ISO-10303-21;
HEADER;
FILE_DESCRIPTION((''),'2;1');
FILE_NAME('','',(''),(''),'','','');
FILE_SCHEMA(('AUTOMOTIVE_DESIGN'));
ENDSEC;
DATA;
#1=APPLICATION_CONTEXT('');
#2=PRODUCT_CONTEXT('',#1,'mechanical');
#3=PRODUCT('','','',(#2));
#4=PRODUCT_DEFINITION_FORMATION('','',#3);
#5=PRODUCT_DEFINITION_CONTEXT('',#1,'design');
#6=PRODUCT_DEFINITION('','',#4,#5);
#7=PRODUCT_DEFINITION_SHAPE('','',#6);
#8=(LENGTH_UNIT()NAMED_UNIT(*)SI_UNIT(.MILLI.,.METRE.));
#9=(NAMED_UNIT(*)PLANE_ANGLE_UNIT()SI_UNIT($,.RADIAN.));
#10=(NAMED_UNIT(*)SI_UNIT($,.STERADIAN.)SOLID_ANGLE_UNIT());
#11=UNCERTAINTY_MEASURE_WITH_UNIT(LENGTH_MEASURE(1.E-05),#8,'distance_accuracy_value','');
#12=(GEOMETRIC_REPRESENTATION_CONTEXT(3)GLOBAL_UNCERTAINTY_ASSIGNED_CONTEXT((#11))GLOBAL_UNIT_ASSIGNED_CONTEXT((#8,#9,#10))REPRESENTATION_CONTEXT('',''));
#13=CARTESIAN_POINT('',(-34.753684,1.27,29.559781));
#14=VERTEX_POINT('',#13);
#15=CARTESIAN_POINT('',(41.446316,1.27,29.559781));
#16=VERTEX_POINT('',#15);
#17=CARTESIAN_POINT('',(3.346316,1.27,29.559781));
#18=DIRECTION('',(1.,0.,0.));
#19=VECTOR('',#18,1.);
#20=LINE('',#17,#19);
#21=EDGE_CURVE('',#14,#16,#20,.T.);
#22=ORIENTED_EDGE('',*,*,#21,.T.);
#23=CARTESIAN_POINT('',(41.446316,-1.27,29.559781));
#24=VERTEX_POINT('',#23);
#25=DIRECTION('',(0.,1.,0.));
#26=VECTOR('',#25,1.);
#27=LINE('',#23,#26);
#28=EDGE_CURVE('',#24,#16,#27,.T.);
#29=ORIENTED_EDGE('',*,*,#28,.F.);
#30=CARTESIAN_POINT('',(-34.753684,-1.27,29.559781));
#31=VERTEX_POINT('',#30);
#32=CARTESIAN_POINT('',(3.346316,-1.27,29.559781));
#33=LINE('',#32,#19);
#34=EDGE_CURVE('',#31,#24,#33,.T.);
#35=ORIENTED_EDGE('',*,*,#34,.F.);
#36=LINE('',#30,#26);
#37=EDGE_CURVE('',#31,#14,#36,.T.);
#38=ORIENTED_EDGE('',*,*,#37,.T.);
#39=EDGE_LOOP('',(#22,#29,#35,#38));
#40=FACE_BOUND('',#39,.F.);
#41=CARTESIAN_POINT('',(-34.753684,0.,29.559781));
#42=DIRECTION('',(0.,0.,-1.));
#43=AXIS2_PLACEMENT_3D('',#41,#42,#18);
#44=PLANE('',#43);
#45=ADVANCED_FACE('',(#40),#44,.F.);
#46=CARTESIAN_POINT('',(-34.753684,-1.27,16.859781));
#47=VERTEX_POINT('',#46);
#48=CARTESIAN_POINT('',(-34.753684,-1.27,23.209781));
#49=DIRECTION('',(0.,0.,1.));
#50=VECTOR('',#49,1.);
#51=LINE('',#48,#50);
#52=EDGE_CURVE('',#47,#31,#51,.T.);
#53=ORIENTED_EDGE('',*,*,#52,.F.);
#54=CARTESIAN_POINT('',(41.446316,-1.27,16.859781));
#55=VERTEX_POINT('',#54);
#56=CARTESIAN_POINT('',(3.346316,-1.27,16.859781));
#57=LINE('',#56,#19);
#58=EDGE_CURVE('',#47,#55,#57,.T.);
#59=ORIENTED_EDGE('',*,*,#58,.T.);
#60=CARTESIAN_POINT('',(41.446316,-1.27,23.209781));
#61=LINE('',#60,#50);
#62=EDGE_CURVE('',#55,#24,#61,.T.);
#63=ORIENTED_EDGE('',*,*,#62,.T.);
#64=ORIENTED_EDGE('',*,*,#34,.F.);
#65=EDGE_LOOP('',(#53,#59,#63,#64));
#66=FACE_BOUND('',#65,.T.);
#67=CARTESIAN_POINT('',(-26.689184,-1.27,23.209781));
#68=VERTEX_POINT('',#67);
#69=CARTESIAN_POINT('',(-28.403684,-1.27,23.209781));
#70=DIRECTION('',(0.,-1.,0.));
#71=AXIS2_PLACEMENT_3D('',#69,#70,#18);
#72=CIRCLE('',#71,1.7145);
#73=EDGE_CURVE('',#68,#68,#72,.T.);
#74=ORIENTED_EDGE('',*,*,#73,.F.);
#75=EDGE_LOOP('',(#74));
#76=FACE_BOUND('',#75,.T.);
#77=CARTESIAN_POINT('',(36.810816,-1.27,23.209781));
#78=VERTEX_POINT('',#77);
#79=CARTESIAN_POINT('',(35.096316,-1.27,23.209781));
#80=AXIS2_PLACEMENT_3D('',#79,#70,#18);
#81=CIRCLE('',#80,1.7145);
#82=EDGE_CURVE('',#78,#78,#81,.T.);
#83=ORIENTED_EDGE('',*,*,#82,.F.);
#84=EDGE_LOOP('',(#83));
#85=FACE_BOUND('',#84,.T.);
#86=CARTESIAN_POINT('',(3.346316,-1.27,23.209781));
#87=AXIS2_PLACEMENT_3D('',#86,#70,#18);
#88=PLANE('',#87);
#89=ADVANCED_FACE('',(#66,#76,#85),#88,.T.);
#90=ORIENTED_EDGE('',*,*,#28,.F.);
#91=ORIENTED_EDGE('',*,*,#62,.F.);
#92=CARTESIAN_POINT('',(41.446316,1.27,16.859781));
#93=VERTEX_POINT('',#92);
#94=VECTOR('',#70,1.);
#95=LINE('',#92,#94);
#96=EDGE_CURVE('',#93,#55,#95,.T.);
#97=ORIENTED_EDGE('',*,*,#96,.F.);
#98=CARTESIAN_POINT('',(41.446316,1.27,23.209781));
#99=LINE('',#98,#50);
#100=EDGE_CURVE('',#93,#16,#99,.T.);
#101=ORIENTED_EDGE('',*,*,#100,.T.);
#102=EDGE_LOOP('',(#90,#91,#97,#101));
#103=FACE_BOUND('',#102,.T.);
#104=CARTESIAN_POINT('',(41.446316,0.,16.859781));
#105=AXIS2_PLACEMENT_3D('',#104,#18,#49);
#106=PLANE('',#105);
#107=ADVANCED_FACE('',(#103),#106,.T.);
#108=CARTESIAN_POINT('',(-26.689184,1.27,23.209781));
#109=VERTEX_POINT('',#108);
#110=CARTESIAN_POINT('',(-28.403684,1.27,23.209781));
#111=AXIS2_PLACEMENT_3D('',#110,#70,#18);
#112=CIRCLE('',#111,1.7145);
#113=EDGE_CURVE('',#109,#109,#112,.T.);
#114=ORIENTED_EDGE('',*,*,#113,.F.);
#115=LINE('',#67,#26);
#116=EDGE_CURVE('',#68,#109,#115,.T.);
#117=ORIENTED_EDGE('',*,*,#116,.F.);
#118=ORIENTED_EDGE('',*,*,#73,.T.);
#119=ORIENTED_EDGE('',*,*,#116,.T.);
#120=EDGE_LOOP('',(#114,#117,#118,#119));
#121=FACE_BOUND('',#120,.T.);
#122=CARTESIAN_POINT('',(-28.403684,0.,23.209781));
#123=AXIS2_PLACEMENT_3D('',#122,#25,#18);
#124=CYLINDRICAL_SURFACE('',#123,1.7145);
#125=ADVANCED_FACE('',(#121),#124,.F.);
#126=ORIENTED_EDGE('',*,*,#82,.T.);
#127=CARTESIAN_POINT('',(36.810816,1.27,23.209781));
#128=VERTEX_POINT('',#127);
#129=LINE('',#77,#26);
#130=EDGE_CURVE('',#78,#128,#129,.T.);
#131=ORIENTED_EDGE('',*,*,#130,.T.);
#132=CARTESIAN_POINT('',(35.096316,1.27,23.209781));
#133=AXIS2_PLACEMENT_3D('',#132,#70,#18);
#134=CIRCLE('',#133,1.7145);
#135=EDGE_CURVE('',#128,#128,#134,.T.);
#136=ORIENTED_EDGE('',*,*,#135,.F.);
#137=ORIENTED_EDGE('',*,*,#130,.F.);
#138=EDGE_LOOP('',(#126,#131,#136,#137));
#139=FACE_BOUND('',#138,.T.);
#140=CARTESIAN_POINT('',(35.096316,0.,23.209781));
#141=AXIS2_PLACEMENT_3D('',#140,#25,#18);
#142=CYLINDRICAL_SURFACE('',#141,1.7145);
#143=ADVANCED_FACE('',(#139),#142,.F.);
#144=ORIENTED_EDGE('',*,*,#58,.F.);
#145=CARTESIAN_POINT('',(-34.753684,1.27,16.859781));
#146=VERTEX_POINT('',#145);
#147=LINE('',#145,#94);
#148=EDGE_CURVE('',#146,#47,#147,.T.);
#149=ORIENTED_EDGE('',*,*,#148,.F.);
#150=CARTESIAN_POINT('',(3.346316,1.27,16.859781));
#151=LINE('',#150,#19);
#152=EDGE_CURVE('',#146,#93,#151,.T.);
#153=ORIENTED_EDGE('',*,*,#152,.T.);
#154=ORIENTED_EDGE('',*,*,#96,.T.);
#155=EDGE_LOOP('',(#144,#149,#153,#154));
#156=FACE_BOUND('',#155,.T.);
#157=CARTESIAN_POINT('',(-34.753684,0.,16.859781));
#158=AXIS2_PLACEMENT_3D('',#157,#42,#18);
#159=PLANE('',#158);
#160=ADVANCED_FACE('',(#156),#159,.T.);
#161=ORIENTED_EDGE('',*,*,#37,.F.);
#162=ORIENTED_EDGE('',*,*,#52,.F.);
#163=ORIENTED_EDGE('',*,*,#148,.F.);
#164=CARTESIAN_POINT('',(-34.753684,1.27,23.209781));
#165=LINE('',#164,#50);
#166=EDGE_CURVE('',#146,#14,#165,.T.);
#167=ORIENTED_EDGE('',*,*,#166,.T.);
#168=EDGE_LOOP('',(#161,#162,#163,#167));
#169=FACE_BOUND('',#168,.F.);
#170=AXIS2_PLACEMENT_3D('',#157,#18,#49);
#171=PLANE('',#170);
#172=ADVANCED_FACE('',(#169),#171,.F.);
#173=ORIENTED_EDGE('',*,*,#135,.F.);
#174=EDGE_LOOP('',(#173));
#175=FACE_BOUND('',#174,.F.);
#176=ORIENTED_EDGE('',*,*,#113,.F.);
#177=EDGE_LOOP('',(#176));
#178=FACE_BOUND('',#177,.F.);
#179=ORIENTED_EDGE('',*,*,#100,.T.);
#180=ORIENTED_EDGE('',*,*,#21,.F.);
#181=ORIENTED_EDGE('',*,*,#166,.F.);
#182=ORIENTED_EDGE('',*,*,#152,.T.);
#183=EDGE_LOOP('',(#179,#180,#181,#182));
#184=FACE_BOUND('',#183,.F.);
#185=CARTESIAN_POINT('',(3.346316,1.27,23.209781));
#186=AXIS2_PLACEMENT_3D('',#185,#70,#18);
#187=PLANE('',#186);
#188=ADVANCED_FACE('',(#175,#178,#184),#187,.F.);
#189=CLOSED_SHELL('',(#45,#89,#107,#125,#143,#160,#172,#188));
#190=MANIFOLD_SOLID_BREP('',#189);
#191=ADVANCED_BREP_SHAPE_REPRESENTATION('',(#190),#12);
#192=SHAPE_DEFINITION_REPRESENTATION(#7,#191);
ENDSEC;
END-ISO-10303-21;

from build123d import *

# Parameters (mm, degrees)
F0_W     = 76.2
F0_H     = 12.7
F0_R     = 1.7145
F1_DEPTH = 1.27


with BuildPart() as f1:
    # F0 (on Front) → F1 (new body, symmetric)
    with BuildSketch(Plane.XZ):
        with Locations((3.346316, 23.209781)):
            Rectangle(F0_W, F0_H)
        with Locations((35.096316, 23.209781)):
            Circle(F0_R, mode=Mode.SUBTRACT)
        with Locations((-28.403684, 23.209781)):
            Circle(F0_R, mode=Mode.SUBTRACT)
    extrude(amount=F1_DEPTH, both=True)


solid = f1.part
